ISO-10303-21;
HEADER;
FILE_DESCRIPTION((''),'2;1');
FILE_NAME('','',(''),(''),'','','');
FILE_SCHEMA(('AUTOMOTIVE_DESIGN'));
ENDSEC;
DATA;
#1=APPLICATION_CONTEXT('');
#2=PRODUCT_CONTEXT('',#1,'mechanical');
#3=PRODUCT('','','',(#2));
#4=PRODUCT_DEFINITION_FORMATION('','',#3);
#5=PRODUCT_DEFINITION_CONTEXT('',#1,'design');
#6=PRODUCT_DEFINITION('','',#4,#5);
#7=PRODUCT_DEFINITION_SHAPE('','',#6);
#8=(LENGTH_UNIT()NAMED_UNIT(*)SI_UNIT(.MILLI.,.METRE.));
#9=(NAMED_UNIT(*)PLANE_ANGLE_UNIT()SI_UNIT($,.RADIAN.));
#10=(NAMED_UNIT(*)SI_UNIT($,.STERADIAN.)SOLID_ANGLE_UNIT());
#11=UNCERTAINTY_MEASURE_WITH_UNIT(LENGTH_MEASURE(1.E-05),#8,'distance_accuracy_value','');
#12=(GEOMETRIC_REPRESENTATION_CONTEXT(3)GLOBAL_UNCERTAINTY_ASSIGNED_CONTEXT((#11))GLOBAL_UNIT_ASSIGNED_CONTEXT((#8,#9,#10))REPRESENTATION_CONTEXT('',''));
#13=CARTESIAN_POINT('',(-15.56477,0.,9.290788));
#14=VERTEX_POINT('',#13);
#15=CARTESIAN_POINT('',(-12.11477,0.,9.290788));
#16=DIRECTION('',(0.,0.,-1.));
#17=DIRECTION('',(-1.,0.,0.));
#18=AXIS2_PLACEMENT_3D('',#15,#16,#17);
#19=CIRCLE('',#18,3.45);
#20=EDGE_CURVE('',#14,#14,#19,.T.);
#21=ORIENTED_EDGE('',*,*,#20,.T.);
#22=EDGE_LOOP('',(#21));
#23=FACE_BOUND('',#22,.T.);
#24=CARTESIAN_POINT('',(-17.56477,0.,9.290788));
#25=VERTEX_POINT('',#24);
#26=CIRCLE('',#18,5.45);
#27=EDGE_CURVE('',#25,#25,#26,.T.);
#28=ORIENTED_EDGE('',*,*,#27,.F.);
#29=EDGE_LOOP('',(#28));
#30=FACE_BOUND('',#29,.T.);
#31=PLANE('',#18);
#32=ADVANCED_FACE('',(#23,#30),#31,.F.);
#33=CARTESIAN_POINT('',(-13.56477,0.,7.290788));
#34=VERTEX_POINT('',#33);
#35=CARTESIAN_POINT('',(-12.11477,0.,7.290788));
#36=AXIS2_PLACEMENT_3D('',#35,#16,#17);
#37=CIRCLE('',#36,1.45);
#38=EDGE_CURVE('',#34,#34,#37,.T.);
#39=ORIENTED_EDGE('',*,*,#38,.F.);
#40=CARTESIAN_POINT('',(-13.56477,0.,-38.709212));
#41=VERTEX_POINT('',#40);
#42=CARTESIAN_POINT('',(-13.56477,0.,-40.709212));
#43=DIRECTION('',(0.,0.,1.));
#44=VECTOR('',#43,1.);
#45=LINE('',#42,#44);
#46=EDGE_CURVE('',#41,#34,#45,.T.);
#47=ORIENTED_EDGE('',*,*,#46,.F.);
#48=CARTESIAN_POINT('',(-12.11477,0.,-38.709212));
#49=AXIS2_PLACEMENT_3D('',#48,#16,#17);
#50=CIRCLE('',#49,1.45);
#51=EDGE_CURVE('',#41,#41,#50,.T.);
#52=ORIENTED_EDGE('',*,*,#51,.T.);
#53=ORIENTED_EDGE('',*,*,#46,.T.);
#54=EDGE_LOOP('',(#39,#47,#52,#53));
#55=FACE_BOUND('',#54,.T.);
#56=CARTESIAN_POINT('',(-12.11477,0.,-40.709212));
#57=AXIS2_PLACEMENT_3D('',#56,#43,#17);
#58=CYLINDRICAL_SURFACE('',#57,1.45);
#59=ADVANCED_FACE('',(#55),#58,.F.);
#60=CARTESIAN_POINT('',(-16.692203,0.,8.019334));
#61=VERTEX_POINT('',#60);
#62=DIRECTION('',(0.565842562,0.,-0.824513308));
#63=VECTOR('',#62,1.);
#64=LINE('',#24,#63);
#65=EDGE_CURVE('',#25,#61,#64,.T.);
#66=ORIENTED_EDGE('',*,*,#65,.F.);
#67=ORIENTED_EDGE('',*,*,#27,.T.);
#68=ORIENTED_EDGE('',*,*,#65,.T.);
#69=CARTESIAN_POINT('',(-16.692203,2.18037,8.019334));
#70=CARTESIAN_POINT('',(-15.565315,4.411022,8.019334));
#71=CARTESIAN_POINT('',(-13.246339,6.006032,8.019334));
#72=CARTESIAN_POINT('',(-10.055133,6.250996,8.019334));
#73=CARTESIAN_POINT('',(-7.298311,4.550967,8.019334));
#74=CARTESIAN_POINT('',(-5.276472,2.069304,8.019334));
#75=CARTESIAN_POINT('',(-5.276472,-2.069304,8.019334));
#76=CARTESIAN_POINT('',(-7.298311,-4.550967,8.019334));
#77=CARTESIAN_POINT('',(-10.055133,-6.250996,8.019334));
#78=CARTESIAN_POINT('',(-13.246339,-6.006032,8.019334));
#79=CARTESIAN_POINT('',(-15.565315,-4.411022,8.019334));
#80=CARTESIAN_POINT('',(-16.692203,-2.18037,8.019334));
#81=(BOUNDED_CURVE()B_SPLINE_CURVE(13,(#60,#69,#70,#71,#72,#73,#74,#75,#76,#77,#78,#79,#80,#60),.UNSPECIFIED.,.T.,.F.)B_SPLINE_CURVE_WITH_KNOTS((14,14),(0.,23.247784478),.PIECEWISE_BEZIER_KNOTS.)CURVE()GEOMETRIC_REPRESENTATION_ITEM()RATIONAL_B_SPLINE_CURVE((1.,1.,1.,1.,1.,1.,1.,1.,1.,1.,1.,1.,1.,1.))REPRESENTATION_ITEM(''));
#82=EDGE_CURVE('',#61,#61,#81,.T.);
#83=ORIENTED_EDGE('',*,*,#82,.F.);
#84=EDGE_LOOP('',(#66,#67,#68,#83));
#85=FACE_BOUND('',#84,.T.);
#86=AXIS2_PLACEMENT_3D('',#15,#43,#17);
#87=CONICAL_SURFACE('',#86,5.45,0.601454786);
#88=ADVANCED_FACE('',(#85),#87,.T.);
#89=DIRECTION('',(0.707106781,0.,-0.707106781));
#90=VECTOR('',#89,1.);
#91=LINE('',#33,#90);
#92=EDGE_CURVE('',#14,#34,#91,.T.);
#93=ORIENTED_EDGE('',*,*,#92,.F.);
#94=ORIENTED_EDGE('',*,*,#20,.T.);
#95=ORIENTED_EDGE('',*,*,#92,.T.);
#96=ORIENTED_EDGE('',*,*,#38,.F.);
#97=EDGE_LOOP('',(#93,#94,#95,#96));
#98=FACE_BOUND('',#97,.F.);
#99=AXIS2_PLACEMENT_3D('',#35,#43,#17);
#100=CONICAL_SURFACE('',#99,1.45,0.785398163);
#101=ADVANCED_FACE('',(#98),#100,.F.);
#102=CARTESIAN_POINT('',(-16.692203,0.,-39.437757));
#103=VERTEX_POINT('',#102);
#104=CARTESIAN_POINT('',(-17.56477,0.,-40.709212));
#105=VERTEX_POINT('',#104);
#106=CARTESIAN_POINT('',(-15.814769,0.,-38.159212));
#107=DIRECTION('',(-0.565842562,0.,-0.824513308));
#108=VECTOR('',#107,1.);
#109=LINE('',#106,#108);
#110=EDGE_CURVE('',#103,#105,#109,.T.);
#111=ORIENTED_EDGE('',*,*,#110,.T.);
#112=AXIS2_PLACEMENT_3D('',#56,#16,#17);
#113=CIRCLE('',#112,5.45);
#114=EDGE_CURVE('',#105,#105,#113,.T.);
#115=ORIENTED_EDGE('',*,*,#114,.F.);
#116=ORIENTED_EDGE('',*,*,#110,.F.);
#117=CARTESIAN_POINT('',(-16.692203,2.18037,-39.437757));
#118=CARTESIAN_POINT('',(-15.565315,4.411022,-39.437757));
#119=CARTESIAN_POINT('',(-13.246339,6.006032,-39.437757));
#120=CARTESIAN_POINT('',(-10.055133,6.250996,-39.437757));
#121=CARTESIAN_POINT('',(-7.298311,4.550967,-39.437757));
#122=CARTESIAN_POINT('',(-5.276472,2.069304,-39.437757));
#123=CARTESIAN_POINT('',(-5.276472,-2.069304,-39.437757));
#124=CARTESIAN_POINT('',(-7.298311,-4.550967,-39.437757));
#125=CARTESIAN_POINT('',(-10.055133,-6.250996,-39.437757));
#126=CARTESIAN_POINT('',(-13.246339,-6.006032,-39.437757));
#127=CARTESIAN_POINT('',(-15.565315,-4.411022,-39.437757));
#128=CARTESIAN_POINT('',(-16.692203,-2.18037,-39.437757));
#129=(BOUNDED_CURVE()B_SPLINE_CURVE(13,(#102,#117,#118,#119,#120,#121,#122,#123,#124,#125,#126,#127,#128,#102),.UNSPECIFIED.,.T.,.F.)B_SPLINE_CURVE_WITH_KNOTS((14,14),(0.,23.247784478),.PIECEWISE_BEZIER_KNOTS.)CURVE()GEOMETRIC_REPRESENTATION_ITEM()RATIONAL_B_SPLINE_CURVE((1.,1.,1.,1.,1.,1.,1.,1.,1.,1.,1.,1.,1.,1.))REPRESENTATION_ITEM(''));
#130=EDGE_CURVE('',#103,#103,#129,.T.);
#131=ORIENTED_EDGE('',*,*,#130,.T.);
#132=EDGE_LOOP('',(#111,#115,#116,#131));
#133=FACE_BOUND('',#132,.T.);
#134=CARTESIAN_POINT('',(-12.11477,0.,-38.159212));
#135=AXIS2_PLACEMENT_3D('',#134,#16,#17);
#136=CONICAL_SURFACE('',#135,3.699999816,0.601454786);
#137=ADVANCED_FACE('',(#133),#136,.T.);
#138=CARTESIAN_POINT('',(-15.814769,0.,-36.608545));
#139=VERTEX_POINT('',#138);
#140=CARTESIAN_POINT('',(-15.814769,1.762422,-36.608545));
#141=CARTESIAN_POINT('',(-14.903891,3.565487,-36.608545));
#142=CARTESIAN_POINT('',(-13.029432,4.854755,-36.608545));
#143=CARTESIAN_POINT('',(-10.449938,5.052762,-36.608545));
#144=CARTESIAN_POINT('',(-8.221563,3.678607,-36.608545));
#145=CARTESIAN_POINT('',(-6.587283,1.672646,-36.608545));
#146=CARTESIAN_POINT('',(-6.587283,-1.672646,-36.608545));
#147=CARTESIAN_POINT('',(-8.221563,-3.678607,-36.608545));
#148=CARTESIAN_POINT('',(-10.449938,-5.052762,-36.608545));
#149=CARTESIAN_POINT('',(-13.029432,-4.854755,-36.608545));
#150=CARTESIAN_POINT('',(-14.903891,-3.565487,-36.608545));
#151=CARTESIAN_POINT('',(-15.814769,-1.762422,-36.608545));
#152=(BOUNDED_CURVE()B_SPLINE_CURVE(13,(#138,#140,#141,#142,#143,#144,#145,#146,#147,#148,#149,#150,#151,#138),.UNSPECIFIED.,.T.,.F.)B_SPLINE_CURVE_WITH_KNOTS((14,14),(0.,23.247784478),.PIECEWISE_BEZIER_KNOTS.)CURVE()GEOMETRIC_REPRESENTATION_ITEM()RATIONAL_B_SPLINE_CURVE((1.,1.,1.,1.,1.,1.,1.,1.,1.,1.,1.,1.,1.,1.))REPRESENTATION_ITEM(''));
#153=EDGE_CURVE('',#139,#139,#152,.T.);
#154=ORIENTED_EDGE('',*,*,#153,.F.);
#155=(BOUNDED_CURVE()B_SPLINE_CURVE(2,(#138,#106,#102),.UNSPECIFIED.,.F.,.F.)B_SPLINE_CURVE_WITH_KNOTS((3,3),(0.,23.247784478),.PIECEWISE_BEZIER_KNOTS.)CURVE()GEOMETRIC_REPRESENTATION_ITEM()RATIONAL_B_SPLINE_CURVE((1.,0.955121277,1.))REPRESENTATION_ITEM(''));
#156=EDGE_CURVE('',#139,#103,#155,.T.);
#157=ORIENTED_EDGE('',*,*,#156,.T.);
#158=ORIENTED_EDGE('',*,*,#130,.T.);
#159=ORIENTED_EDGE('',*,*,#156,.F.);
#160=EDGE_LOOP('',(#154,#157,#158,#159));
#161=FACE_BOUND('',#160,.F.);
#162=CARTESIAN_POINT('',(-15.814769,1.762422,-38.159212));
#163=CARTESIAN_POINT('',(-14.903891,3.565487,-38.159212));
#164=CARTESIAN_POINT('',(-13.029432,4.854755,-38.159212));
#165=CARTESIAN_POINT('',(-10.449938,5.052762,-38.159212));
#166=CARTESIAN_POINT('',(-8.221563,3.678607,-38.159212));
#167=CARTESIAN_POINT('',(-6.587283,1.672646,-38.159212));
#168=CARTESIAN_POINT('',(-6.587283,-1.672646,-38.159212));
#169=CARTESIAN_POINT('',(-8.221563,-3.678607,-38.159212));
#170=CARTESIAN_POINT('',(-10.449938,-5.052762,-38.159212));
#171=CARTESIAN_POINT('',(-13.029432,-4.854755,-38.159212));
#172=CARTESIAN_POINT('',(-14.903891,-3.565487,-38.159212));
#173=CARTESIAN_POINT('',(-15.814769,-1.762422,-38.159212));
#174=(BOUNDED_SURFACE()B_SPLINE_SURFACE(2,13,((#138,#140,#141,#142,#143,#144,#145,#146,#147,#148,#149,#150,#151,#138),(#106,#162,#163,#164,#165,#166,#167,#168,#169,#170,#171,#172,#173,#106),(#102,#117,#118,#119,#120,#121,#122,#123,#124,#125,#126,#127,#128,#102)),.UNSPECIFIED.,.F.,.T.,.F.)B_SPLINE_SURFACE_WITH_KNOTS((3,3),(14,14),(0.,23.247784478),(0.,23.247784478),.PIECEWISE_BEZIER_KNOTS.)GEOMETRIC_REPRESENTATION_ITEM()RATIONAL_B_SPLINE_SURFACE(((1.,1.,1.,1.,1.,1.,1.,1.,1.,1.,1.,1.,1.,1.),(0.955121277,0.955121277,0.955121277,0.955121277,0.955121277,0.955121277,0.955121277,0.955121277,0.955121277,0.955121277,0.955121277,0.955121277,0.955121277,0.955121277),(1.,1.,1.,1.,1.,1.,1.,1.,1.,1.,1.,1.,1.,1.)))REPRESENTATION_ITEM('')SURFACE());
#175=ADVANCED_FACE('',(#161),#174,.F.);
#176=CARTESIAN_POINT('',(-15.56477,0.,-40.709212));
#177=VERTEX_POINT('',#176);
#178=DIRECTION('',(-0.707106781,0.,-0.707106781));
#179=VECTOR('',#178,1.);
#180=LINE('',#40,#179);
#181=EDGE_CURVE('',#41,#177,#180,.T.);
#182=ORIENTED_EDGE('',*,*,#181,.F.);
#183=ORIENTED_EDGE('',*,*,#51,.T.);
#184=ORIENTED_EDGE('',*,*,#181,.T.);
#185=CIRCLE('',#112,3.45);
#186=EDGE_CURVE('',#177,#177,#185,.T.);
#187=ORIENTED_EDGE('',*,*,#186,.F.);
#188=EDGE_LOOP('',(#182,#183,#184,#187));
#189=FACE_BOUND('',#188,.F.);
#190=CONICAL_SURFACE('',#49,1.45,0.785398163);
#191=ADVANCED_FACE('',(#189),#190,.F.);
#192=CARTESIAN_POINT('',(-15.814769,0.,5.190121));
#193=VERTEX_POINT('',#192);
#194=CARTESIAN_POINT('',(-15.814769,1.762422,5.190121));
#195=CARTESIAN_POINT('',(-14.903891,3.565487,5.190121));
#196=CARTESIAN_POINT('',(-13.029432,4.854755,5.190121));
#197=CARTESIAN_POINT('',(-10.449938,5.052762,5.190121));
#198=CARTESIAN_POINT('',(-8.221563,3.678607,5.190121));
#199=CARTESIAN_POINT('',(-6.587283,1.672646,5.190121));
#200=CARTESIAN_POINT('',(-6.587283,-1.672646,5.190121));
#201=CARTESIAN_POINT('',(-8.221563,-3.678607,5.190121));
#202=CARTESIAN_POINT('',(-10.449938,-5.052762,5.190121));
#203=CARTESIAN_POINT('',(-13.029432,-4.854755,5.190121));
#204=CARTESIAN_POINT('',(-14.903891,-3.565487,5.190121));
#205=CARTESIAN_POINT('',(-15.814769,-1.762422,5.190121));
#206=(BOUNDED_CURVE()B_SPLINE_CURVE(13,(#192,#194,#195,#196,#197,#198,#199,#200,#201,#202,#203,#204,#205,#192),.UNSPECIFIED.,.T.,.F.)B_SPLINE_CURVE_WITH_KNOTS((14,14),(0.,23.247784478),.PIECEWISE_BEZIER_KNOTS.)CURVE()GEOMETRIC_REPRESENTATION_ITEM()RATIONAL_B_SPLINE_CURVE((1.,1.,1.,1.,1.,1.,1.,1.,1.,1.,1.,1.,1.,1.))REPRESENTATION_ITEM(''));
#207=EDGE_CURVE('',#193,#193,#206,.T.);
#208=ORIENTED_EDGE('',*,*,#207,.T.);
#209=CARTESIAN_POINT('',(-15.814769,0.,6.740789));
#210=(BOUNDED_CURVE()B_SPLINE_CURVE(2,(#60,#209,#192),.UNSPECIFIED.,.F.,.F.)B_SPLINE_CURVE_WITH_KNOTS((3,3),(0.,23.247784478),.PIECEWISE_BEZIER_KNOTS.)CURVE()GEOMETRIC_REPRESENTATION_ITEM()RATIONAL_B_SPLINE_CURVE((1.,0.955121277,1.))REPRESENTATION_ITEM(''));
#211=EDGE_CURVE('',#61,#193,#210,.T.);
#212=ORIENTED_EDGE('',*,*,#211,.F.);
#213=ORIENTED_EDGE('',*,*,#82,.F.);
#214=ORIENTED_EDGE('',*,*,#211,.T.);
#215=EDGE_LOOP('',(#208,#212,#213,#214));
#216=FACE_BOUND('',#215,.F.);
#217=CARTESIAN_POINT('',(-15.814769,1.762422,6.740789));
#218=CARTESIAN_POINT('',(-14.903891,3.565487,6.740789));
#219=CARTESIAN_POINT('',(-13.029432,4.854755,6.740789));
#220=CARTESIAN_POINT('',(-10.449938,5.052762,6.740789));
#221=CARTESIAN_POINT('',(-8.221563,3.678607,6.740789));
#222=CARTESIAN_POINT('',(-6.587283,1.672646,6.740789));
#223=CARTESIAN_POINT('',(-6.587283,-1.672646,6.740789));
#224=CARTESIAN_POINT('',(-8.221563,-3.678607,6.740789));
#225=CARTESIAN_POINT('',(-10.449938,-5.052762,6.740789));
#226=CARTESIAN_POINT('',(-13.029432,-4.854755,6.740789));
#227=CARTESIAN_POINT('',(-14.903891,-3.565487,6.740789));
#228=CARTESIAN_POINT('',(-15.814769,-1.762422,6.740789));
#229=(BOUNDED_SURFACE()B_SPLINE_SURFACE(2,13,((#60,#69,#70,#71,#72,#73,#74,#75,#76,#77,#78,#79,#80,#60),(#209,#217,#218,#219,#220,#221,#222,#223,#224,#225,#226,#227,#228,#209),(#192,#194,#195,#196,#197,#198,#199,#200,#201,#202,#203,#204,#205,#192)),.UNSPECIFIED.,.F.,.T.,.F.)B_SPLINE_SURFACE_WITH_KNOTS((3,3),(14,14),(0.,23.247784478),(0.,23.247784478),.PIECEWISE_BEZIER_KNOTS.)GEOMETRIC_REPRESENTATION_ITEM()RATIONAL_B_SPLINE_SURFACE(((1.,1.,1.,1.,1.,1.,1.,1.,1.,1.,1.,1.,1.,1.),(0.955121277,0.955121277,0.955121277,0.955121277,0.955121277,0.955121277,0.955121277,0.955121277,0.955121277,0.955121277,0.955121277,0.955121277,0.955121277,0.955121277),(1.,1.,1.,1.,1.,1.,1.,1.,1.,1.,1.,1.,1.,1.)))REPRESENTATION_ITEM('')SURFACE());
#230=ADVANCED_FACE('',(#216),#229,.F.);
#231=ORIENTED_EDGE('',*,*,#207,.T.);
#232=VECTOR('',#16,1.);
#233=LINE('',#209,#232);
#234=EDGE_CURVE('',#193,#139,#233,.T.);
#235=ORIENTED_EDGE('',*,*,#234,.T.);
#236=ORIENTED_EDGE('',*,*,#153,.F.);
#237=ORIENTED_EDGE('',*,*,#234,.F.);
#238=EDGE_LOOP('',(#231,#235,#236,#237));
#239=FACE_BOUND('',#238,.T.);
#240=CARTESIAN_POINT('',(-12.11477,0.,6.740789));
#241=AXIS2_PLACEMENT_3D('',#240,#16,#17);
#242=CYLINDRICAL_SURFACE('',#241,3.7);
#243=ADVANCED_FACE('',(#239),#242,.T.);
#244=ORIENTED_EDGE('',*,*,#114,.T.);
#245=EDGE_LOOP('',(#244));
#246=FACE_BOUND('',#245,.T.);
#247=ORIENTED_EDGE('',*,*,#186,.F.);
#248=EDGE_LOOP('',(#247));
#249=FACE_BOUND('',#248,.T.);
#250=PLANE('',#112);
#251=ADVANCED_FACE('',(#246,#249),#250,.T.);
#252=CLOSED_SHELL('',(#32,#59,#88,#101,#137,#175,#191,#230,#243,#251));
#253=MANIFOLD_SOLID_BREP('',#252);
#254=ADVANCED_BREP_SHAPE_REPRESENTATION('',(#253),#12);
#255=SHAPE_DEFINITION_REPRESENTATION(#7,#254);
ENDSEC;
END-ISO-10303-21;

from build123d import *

# Parameters (mm, degrees)
F2_R     = 5
F3_SIZE2 = 2
F3_SIZE  = 2


with BuildPart() as f1:
    # F0 (on Front) → F1 (revolve)
    with BuildSketch(Plane.XZ):
        Polygon((-13.5647695723, 9.2907883497), (-17.5647695723, 9.2907883497), (-15.8147693879, 6.7407885124), (-15.8147693879, -15.7092116503), (-13.5647695723, -15.7092116503), align=None)
        Polygon((-13.5647695723, -40.7092116503), (-13.5647695723, -15.7092116503), (-15.8147693879, -15.7092116503), (-15.8147693879, -38.159211813), (-17.5647695723, -40.7092116503), align=None)
    revolve(axis=Axis((-12.1147695723, 0, -13.6592119893), (0, 0, -1)))

    # F2
    f2_edges = [f1.edges().sort_by_distance(p)[0] for p in [
        (-8.41477, 0, 6.740789),
        (-8.41477, 0, -38.159212),
    ]]
    fillet(f2_edges, radius=F2_R)

    # F3
    f3_edges = [f1.edges().sort_by_distance(p)[0] for p in [
        (-10.66477, 0, 9.290788),
        (-10.66477, 0, -40.709212),
    ]]
    chamfer(f3_edges, length=F3_SIZE, length2=F3_SIZE2)


solid = f1.part
